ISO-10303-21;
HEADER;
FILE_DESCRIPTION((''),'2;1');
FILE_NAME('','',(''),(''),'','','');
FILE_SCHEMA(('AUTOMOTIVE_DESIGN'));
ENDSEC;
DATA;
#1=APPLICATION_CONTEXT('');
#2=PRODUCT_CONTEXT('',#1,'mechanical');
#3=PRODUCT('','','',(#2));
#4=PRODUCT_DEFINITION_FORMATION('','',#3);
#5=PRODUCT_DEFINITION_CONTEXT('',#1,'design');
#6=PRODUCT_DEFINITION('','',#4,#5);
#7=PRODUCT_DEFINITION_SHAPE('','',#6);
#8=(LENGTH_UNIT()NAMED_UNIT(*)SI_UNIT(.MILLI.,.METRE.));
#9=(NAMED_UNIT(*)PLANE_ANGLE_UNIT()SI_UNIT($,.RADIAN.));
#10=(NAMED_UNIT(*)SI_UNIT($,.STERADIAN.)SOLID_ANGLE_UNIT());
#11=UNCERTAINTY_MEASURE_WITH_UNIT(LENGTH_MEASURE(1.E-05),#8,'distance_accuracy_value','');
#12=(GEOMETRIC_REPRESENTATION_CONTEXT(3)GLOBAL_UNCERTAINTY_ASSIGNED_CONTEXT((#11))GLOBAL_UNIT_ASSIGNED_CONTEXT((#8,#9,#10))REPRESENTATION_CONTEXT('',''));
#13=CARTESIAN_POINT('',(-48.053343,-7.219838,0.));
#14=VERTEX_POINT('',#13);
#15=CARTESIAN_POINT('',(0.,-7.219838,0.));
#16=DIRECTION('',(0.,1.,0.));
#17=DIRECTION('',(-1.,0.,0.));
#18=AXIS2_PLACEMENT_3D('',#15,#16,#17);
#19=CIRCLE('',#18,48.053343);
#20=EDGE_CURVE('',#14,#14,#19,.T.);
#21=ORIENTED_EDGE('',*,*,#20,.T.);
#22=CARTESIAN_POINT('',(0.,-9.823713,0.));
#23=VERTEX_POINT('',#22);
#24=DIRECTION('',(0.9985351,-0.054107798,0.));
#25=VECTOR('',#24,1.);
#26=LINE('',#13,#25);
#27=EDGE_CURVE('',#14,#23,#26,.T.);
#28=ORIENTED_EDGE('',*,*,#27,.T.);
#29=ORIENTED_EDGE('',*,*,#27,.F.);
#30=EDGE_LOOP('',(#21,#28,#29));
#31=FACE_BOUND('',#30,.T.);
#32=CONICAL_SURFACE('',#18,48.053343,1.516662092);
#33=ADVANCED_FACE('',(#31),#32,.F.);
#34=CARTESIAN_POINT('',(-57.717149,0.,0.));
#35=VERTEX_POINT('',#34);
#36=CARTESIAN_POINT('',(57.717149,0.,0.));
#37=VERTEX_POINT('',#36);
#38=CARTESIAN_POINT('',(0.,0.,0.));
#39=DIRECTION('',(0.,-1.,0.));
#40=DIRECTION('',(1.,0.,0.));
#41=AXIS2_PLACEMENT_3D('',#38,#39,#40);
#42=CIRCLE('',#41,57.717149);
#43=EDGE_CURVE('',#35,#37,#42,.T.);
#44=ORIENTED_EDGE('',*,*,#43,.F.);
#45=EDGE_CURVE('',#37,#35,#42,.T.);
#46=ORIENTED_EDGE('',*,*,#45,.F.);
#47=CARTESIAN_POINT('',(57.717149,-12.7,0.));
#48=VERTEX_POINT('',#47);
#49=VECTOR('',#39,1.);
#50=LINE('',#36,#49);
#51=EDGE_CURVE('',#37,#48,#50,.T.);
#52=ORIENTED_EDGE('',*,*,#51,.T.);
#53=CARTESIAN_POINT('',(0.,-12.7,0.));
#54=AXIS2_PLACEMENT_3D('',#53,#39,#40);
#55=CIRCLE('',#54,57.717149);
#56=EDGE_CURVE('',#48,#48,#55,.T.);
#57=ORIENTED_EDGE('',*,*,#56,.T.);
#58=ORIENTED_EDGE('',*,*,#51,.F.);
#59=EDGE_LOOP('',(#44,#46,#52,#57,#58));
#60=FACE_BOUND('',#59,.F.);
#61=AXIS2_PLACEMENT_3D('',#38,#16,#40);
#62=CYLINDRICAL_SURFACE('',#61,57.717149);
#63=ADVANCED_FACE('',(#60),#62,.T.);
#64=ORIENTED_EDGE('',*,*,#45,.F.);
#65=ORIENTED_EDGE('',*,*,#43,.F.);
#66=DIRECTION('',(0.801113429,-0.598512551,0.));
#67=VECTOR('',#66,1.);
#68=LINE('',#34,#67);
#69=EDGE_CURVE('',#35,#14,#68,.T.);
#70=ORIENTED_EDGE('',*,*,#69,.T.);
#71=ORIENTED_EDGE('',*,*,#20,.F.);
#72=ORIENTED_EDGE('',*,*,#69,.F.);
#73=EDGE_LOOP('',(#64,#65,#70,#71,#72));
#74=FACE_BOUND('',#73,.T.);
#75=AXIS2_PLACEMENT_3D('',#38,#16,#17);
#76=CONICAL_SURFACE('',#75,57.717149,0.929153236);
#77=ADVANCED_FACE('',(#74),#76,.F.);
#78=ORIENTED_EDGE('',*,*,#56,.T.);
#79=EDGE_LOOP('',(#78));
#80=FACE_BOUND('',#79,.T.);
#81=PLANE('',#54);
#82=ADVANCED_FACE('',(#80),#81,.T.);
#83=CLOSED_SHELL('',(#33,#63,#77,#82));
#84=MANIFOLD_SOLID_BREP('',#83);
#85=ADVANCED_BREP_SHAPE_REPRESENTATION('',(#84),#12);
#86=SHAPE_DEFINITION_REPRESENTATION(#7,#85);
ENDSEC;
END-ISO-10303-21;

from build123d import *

# Parameters (mm, degrees)
F0_R     = 57.717149
F1_DEPTH = 12.7


with BuildPart() as f1:
    # F0 (on Front) → F1 (new body)
    with BuildSketch(Plane.XZ):
        Circle(F0_R)
    extrude(amount=F1_DEPTH)

    # F2 (on Top) → F3 (revolve, cut)
    with BuildSketch(Plane.XY):
        Polygon((0, -9.823713), (0, 0), (-57.717149, 0), (-48.053343, -7.219838), align=None)
    revolve(axis=Axis((0, -4.911857, 0), (0, 1, 0)), mode=Mode.SUBTRACT)


solid = f1.part
